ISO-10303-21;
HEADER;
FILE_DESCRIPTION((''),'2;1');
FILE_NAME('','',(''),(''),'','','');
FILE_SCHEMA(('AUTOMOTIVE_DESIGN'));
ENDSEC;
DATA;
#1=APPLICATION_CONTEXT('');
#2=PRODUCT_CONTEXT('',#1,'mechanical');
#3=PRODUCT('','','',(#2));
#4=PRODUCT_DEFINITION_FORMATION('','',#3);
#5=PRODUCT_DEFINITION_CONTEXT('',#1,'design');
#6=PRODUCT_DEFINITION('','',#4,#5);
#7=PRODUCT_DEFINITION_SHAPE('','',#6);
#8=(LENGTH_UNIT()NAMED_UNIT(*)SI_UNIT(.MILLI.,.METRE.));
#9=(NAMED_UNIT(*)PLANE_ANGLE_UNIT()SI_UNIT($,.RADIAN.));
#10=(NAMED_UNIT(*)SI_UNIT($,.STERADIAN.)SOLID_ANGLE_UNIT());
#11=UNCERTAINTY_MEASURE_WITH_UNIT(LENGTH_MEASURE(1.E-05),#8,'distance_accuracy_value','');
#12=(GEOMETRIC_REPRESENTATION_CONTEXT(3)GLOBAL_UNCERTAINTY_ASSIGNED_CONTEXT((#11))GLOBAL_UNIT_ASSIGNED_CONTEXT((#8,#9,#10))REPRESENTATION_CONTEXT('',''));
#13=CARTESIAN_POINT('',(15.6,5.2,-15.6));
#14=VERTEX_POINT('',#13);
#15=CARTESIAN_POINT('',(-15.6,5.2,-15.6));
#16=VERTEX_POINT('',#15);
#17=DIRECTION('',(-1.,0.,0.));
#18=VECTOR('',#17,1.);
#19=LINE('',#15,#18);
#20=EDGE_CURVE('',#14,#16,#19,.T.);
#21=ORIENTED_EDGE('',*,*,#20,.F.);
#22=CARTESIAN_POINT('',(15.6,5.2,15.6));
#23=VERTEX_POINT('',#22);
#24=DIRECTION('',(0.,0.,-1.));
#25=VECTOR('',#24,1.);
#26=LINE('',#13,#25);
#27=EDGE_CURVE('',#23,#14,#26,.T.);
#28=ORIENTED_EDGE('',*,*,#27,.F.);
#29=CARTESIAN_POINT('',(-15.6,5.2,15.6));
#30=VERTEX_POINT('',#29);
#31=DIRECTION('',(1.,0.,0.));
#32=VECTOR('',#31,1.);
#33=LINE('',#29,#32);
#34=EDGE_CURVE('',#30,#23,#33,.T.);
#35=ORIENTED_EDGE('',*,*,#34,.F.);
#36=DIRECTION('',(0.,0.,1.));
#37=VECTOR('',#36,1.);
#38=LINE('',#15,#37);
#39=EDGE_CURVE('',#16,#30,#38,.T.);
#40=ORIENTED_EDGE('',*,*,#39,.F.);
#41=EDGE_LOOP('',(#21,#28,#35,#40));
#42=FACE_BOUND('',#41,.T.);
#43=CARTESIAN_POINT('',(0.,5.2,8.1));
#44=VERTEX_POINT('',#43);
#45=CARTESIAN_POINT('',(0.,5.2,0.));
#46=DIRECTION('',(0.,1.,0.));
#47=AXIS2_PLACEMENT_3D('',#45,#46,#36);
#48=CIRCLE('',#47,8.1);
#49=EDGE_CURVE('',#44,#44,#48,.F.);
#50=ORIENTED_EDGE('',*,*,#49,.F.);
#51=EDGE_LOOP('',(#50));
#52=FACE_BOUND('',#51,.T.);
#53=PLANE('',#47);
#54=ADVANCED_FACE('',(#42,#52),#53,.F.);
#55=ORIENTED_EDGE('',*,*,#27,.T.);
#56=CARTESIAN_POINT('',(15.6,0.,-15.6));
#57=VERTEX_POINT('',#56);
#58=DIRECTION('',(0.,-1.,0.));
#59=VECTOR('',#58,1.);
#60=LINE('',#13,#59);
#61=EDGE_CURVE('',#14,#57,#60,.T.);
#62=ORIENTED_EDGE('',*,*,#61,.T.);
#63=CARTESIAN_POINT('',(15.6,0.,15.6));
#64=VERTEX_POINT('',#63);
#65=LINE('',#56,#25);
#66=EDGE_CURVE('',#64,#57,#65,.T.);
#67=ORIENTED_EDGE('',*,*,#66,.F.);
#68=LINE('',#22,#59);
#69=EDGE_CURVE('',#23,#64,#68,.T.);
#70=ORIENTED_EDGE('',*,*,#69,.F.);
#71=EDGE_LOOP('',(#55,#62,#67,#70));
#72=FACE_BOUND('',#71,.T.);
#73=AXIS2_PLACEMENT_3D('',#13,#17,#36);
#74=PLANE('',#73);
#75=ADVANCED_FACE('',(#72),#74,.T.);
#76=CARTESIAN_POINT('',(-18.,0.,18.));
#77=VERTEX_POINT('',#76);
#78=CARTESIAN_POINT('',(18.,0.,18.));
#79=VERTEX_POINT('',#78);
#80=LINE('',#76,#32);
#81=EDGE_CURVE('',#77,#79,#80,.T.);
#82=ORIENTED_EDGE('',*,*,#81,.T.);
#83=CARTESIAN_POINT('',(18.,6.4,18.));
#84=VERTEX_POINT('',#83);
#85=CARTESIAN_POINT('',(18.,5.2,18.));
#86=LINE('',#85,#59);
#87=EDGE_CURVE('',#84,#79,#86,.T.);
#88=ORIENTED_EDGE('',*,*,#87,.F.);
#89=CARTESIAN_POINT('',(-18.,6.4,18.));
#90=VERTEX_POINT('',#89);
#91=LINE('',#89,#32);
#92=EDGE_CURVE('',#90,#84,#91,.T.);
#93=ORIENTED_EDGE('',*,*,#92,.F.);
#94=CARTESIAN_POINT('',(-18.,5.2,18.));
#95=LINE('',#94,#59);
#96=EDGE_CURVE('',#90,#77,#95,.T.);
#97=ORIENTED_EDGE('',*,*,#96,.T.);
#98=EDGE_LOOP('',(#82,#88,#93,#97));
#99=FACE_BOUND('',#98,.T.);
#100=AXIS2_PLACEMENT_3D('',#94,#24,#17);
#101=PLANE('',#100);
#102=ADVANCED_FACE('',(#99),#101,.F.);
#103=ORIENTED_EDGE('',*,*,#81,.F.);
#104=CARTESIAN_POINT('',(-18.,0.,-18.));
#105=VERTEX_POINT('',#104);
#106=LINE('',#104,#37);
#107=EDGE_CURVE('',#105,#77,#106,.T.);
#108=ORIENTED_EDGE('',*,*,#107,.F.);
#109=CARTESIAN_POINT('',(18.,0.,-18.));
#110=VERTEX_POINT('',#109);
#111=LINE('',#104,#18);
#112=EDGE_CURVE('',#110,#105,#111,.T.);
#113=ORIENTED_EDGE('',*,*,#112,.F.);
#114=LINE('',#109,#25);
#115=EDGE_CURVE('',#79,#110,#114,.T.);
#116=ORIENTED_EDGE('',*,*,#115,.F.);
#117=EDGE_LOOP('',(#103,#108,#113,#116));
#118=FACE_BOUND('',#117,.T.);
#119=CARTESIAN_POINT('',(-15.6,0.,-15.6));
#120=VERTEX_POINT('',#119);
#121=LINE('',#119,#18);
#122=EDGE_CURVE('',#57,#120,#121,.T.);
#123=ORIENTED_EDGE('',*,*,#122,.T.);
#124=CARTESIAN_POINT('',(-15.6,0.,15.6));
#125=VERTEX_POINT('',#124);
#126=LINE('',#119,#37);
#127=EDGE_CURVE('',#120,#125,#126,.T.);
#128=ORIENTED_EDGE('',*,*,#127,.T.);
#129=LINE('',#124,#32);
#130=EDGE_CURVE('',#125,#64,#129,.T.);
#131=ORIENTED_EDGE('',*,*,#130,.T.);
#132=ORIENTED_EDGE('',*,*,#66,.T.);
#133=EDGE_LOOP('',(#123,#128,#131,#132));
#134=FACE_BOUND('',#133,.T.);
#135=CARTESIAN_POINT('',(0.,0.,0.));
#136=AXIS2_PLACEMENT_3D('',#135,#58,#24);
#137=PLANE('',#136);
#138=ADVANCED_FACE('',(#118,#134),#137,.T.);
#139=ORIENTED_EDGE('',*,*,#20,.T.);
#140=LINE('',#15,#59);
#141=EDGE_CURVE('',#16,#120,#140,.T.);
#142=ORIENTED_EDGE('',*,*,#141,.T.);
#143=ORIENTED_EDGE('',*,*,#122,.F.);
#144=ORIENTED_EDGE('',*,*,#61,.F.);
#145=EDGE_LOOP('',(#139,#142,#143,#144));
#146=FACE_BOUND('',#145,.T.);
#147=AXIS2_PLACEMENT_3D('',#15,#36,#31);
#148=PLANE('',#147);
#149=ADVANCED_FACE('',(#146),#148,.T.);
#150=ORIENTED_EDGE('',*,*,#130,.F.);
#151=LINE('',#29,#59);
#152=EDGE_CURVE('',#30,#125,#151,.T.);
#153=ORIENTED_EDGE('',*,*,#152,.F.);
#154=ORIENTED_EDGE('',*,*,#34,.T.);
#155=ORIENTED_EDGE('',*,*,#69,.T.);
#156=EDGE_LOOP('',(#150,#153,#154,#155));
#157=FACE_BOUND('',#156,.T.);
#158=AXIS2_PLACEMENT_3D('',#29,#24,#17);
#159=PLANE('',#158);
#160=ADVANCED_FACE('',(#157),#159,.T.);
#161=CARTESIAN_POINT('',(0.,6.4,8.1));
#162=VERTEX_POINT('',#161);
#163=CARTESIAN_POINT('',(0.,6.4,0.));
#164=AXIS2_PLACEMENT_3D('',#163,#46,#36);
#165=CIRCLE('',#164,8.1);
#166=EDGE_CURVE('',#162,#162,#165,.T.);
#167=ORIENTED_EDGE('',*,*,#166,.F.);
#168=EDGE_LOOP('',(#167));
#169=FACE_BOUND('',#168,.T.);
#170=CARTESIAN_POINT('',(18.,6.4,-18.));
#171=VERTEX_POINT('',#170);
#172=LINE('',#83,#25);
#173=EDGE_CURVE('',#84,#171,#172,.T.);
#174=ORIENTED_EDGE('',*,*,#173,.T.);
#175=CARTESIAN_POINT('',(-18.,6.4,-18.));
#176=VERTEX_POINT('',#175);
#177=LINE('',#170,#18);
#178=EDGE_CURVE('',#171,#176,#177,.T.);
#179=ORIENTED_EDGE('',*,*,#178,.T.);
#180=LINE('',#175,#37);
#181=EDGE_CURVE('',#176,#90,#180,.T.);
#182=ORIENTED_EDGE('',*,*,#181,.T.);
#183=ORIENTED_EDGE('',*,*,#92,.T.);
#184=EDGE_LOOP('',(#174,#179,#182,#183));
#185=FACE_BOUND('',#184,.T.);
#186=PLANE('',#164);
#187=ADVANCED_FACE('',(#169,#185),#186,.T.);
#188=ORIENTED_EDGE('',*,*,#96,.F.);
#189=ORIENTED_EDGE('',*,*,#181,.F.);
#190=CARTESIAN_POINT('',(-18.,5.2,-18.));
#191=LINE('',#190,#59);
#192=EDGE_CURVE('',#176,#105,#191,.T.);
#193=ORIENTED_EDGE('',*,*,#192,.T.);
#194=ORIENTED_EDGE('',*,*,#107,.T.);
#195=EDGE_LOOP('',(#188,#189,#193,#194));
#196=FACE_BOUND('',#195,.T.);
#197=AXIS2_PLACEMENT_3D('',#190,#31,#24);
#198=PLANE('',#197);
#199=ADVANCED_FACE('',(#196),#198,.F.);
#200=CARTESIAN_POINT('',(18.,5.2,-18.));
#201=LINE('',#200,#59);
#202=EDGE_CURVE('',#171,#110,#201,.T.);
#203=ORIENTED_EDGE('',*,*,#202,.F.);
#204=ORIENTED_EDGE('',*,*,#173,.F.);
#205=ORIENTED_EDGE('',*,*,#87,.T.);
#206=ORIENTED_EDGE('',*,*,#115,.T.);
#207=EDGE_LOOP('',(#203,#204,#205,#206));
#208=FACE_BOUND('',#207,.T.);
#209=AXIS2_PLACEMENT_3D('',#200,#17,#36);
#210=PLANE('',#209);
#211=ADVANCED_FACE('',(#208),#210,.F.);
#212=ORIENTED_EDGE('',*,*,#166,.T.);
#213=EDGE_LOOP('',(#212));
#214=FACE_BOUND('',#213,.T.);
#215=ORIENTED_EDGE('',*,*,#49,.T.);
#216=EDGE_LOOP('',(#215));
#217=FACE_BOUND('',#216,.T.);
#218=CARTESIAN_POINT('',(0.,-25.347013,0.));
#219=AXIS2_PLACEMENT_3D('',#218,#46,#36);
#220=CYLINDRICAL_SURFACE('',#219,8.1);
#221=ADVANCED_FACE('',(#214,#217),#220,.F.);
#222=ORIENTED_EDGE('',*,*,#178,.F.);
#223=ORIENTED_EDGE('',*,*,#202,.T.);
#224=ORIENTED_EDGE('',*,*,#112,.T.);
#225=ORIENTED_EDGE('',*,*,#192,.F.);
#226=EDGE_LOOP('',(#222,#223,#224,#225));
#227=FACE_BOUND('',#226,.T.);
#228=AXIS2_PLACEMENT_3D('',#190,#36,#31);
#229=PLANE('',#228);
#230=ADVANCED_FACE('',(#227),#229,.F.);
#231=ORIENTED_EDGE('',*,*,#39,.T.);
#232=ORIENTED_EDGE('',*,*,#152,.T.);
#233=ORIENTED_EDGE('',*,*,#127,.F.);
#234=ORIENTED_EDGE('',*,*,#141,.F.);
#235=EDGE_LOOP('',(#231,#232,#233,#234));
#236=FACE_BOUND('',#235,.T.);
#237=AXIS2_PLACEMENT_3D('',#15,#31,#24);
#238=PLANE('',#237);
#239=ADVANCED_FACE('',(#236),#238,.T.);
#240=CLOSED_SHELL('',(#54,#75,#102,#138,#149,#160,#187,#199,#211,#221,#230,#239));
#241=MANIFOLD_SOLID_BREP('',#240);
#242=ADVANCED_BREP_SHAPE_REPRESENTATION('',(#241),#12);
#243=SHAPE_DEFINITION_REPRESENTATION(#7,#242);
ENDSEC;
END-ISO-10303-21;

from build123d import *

# Parameters (mm, degrees)
SKETCH1_W           = 36
SKETCH1_H           = 36
SKETCH1_W_2         = 31.2
SKETCH1_H_2         = 31.2
BOSS_EXTRUDE1_DEPTH = 5.2
SKETCH2_W           = 36
SKETCH2_H           = 36
SKETCH2_W_2         = 21.6
SKETCH2_H_2         = 21.6
BOSS_EXTRUDE2_DEPTH = 1.2
SKETCH3_W           = 21.6
SKETCH3_H           = 21.6
SKETCH3_R           = 8.1
BOSS_EXTRUDE3_DEPTH = 1.2


with BuildPart() as part:
    # Sketch1 → Boss-Extrude1 (new body)
    with BuildSketch(Plane(origin=(0, 0, 0), x_dir=(1, 0, 0), z_dir=(0, 1, 0))):
        Rectangle(SKETCH1_W, SKETCH1_H)
        Rectangle(SKETCH1_W_2, SKETCH1_H_2, mode=Mode.SUBTRACT)
    extrude(amount=BOSS_EXTRUDE1_DEPTH)

    # Sketch2 → Boss-Extrude2 (add)
    with BuildSketch(Plane(origin=(0, 5.2, 0), x_dir=(1, 0, 0), z_dir=(0, 1, 0))):
        Rectangle(SKETCH2_W, SKETCH2_H)
        Rectangle(SKETCH2_W_2, SKETCH2_H_2, mode=Mode.SUBTRACT)
    extrude(amount=BOSS_EXTRUDE2_DEPTH)

    # Sketch3 → Boss-Extrude3 (add)
    with BuildSketch(Plane(origin=(0, 6.4, 0), x_dir=(1, 0, 0), z_dir=(0, 1, 0))):
        Rectangle(SKETCH3_W, SKETCH3_H)
        with Locations(Location((0, 0, 0), (0, 0, 270))):
            Circle(SKETCH3_R, mode=Mode.SUBTRACT)
    extrude(amount=-BOSS_EXTRUDE3_DEPTH)


solid = part.part
